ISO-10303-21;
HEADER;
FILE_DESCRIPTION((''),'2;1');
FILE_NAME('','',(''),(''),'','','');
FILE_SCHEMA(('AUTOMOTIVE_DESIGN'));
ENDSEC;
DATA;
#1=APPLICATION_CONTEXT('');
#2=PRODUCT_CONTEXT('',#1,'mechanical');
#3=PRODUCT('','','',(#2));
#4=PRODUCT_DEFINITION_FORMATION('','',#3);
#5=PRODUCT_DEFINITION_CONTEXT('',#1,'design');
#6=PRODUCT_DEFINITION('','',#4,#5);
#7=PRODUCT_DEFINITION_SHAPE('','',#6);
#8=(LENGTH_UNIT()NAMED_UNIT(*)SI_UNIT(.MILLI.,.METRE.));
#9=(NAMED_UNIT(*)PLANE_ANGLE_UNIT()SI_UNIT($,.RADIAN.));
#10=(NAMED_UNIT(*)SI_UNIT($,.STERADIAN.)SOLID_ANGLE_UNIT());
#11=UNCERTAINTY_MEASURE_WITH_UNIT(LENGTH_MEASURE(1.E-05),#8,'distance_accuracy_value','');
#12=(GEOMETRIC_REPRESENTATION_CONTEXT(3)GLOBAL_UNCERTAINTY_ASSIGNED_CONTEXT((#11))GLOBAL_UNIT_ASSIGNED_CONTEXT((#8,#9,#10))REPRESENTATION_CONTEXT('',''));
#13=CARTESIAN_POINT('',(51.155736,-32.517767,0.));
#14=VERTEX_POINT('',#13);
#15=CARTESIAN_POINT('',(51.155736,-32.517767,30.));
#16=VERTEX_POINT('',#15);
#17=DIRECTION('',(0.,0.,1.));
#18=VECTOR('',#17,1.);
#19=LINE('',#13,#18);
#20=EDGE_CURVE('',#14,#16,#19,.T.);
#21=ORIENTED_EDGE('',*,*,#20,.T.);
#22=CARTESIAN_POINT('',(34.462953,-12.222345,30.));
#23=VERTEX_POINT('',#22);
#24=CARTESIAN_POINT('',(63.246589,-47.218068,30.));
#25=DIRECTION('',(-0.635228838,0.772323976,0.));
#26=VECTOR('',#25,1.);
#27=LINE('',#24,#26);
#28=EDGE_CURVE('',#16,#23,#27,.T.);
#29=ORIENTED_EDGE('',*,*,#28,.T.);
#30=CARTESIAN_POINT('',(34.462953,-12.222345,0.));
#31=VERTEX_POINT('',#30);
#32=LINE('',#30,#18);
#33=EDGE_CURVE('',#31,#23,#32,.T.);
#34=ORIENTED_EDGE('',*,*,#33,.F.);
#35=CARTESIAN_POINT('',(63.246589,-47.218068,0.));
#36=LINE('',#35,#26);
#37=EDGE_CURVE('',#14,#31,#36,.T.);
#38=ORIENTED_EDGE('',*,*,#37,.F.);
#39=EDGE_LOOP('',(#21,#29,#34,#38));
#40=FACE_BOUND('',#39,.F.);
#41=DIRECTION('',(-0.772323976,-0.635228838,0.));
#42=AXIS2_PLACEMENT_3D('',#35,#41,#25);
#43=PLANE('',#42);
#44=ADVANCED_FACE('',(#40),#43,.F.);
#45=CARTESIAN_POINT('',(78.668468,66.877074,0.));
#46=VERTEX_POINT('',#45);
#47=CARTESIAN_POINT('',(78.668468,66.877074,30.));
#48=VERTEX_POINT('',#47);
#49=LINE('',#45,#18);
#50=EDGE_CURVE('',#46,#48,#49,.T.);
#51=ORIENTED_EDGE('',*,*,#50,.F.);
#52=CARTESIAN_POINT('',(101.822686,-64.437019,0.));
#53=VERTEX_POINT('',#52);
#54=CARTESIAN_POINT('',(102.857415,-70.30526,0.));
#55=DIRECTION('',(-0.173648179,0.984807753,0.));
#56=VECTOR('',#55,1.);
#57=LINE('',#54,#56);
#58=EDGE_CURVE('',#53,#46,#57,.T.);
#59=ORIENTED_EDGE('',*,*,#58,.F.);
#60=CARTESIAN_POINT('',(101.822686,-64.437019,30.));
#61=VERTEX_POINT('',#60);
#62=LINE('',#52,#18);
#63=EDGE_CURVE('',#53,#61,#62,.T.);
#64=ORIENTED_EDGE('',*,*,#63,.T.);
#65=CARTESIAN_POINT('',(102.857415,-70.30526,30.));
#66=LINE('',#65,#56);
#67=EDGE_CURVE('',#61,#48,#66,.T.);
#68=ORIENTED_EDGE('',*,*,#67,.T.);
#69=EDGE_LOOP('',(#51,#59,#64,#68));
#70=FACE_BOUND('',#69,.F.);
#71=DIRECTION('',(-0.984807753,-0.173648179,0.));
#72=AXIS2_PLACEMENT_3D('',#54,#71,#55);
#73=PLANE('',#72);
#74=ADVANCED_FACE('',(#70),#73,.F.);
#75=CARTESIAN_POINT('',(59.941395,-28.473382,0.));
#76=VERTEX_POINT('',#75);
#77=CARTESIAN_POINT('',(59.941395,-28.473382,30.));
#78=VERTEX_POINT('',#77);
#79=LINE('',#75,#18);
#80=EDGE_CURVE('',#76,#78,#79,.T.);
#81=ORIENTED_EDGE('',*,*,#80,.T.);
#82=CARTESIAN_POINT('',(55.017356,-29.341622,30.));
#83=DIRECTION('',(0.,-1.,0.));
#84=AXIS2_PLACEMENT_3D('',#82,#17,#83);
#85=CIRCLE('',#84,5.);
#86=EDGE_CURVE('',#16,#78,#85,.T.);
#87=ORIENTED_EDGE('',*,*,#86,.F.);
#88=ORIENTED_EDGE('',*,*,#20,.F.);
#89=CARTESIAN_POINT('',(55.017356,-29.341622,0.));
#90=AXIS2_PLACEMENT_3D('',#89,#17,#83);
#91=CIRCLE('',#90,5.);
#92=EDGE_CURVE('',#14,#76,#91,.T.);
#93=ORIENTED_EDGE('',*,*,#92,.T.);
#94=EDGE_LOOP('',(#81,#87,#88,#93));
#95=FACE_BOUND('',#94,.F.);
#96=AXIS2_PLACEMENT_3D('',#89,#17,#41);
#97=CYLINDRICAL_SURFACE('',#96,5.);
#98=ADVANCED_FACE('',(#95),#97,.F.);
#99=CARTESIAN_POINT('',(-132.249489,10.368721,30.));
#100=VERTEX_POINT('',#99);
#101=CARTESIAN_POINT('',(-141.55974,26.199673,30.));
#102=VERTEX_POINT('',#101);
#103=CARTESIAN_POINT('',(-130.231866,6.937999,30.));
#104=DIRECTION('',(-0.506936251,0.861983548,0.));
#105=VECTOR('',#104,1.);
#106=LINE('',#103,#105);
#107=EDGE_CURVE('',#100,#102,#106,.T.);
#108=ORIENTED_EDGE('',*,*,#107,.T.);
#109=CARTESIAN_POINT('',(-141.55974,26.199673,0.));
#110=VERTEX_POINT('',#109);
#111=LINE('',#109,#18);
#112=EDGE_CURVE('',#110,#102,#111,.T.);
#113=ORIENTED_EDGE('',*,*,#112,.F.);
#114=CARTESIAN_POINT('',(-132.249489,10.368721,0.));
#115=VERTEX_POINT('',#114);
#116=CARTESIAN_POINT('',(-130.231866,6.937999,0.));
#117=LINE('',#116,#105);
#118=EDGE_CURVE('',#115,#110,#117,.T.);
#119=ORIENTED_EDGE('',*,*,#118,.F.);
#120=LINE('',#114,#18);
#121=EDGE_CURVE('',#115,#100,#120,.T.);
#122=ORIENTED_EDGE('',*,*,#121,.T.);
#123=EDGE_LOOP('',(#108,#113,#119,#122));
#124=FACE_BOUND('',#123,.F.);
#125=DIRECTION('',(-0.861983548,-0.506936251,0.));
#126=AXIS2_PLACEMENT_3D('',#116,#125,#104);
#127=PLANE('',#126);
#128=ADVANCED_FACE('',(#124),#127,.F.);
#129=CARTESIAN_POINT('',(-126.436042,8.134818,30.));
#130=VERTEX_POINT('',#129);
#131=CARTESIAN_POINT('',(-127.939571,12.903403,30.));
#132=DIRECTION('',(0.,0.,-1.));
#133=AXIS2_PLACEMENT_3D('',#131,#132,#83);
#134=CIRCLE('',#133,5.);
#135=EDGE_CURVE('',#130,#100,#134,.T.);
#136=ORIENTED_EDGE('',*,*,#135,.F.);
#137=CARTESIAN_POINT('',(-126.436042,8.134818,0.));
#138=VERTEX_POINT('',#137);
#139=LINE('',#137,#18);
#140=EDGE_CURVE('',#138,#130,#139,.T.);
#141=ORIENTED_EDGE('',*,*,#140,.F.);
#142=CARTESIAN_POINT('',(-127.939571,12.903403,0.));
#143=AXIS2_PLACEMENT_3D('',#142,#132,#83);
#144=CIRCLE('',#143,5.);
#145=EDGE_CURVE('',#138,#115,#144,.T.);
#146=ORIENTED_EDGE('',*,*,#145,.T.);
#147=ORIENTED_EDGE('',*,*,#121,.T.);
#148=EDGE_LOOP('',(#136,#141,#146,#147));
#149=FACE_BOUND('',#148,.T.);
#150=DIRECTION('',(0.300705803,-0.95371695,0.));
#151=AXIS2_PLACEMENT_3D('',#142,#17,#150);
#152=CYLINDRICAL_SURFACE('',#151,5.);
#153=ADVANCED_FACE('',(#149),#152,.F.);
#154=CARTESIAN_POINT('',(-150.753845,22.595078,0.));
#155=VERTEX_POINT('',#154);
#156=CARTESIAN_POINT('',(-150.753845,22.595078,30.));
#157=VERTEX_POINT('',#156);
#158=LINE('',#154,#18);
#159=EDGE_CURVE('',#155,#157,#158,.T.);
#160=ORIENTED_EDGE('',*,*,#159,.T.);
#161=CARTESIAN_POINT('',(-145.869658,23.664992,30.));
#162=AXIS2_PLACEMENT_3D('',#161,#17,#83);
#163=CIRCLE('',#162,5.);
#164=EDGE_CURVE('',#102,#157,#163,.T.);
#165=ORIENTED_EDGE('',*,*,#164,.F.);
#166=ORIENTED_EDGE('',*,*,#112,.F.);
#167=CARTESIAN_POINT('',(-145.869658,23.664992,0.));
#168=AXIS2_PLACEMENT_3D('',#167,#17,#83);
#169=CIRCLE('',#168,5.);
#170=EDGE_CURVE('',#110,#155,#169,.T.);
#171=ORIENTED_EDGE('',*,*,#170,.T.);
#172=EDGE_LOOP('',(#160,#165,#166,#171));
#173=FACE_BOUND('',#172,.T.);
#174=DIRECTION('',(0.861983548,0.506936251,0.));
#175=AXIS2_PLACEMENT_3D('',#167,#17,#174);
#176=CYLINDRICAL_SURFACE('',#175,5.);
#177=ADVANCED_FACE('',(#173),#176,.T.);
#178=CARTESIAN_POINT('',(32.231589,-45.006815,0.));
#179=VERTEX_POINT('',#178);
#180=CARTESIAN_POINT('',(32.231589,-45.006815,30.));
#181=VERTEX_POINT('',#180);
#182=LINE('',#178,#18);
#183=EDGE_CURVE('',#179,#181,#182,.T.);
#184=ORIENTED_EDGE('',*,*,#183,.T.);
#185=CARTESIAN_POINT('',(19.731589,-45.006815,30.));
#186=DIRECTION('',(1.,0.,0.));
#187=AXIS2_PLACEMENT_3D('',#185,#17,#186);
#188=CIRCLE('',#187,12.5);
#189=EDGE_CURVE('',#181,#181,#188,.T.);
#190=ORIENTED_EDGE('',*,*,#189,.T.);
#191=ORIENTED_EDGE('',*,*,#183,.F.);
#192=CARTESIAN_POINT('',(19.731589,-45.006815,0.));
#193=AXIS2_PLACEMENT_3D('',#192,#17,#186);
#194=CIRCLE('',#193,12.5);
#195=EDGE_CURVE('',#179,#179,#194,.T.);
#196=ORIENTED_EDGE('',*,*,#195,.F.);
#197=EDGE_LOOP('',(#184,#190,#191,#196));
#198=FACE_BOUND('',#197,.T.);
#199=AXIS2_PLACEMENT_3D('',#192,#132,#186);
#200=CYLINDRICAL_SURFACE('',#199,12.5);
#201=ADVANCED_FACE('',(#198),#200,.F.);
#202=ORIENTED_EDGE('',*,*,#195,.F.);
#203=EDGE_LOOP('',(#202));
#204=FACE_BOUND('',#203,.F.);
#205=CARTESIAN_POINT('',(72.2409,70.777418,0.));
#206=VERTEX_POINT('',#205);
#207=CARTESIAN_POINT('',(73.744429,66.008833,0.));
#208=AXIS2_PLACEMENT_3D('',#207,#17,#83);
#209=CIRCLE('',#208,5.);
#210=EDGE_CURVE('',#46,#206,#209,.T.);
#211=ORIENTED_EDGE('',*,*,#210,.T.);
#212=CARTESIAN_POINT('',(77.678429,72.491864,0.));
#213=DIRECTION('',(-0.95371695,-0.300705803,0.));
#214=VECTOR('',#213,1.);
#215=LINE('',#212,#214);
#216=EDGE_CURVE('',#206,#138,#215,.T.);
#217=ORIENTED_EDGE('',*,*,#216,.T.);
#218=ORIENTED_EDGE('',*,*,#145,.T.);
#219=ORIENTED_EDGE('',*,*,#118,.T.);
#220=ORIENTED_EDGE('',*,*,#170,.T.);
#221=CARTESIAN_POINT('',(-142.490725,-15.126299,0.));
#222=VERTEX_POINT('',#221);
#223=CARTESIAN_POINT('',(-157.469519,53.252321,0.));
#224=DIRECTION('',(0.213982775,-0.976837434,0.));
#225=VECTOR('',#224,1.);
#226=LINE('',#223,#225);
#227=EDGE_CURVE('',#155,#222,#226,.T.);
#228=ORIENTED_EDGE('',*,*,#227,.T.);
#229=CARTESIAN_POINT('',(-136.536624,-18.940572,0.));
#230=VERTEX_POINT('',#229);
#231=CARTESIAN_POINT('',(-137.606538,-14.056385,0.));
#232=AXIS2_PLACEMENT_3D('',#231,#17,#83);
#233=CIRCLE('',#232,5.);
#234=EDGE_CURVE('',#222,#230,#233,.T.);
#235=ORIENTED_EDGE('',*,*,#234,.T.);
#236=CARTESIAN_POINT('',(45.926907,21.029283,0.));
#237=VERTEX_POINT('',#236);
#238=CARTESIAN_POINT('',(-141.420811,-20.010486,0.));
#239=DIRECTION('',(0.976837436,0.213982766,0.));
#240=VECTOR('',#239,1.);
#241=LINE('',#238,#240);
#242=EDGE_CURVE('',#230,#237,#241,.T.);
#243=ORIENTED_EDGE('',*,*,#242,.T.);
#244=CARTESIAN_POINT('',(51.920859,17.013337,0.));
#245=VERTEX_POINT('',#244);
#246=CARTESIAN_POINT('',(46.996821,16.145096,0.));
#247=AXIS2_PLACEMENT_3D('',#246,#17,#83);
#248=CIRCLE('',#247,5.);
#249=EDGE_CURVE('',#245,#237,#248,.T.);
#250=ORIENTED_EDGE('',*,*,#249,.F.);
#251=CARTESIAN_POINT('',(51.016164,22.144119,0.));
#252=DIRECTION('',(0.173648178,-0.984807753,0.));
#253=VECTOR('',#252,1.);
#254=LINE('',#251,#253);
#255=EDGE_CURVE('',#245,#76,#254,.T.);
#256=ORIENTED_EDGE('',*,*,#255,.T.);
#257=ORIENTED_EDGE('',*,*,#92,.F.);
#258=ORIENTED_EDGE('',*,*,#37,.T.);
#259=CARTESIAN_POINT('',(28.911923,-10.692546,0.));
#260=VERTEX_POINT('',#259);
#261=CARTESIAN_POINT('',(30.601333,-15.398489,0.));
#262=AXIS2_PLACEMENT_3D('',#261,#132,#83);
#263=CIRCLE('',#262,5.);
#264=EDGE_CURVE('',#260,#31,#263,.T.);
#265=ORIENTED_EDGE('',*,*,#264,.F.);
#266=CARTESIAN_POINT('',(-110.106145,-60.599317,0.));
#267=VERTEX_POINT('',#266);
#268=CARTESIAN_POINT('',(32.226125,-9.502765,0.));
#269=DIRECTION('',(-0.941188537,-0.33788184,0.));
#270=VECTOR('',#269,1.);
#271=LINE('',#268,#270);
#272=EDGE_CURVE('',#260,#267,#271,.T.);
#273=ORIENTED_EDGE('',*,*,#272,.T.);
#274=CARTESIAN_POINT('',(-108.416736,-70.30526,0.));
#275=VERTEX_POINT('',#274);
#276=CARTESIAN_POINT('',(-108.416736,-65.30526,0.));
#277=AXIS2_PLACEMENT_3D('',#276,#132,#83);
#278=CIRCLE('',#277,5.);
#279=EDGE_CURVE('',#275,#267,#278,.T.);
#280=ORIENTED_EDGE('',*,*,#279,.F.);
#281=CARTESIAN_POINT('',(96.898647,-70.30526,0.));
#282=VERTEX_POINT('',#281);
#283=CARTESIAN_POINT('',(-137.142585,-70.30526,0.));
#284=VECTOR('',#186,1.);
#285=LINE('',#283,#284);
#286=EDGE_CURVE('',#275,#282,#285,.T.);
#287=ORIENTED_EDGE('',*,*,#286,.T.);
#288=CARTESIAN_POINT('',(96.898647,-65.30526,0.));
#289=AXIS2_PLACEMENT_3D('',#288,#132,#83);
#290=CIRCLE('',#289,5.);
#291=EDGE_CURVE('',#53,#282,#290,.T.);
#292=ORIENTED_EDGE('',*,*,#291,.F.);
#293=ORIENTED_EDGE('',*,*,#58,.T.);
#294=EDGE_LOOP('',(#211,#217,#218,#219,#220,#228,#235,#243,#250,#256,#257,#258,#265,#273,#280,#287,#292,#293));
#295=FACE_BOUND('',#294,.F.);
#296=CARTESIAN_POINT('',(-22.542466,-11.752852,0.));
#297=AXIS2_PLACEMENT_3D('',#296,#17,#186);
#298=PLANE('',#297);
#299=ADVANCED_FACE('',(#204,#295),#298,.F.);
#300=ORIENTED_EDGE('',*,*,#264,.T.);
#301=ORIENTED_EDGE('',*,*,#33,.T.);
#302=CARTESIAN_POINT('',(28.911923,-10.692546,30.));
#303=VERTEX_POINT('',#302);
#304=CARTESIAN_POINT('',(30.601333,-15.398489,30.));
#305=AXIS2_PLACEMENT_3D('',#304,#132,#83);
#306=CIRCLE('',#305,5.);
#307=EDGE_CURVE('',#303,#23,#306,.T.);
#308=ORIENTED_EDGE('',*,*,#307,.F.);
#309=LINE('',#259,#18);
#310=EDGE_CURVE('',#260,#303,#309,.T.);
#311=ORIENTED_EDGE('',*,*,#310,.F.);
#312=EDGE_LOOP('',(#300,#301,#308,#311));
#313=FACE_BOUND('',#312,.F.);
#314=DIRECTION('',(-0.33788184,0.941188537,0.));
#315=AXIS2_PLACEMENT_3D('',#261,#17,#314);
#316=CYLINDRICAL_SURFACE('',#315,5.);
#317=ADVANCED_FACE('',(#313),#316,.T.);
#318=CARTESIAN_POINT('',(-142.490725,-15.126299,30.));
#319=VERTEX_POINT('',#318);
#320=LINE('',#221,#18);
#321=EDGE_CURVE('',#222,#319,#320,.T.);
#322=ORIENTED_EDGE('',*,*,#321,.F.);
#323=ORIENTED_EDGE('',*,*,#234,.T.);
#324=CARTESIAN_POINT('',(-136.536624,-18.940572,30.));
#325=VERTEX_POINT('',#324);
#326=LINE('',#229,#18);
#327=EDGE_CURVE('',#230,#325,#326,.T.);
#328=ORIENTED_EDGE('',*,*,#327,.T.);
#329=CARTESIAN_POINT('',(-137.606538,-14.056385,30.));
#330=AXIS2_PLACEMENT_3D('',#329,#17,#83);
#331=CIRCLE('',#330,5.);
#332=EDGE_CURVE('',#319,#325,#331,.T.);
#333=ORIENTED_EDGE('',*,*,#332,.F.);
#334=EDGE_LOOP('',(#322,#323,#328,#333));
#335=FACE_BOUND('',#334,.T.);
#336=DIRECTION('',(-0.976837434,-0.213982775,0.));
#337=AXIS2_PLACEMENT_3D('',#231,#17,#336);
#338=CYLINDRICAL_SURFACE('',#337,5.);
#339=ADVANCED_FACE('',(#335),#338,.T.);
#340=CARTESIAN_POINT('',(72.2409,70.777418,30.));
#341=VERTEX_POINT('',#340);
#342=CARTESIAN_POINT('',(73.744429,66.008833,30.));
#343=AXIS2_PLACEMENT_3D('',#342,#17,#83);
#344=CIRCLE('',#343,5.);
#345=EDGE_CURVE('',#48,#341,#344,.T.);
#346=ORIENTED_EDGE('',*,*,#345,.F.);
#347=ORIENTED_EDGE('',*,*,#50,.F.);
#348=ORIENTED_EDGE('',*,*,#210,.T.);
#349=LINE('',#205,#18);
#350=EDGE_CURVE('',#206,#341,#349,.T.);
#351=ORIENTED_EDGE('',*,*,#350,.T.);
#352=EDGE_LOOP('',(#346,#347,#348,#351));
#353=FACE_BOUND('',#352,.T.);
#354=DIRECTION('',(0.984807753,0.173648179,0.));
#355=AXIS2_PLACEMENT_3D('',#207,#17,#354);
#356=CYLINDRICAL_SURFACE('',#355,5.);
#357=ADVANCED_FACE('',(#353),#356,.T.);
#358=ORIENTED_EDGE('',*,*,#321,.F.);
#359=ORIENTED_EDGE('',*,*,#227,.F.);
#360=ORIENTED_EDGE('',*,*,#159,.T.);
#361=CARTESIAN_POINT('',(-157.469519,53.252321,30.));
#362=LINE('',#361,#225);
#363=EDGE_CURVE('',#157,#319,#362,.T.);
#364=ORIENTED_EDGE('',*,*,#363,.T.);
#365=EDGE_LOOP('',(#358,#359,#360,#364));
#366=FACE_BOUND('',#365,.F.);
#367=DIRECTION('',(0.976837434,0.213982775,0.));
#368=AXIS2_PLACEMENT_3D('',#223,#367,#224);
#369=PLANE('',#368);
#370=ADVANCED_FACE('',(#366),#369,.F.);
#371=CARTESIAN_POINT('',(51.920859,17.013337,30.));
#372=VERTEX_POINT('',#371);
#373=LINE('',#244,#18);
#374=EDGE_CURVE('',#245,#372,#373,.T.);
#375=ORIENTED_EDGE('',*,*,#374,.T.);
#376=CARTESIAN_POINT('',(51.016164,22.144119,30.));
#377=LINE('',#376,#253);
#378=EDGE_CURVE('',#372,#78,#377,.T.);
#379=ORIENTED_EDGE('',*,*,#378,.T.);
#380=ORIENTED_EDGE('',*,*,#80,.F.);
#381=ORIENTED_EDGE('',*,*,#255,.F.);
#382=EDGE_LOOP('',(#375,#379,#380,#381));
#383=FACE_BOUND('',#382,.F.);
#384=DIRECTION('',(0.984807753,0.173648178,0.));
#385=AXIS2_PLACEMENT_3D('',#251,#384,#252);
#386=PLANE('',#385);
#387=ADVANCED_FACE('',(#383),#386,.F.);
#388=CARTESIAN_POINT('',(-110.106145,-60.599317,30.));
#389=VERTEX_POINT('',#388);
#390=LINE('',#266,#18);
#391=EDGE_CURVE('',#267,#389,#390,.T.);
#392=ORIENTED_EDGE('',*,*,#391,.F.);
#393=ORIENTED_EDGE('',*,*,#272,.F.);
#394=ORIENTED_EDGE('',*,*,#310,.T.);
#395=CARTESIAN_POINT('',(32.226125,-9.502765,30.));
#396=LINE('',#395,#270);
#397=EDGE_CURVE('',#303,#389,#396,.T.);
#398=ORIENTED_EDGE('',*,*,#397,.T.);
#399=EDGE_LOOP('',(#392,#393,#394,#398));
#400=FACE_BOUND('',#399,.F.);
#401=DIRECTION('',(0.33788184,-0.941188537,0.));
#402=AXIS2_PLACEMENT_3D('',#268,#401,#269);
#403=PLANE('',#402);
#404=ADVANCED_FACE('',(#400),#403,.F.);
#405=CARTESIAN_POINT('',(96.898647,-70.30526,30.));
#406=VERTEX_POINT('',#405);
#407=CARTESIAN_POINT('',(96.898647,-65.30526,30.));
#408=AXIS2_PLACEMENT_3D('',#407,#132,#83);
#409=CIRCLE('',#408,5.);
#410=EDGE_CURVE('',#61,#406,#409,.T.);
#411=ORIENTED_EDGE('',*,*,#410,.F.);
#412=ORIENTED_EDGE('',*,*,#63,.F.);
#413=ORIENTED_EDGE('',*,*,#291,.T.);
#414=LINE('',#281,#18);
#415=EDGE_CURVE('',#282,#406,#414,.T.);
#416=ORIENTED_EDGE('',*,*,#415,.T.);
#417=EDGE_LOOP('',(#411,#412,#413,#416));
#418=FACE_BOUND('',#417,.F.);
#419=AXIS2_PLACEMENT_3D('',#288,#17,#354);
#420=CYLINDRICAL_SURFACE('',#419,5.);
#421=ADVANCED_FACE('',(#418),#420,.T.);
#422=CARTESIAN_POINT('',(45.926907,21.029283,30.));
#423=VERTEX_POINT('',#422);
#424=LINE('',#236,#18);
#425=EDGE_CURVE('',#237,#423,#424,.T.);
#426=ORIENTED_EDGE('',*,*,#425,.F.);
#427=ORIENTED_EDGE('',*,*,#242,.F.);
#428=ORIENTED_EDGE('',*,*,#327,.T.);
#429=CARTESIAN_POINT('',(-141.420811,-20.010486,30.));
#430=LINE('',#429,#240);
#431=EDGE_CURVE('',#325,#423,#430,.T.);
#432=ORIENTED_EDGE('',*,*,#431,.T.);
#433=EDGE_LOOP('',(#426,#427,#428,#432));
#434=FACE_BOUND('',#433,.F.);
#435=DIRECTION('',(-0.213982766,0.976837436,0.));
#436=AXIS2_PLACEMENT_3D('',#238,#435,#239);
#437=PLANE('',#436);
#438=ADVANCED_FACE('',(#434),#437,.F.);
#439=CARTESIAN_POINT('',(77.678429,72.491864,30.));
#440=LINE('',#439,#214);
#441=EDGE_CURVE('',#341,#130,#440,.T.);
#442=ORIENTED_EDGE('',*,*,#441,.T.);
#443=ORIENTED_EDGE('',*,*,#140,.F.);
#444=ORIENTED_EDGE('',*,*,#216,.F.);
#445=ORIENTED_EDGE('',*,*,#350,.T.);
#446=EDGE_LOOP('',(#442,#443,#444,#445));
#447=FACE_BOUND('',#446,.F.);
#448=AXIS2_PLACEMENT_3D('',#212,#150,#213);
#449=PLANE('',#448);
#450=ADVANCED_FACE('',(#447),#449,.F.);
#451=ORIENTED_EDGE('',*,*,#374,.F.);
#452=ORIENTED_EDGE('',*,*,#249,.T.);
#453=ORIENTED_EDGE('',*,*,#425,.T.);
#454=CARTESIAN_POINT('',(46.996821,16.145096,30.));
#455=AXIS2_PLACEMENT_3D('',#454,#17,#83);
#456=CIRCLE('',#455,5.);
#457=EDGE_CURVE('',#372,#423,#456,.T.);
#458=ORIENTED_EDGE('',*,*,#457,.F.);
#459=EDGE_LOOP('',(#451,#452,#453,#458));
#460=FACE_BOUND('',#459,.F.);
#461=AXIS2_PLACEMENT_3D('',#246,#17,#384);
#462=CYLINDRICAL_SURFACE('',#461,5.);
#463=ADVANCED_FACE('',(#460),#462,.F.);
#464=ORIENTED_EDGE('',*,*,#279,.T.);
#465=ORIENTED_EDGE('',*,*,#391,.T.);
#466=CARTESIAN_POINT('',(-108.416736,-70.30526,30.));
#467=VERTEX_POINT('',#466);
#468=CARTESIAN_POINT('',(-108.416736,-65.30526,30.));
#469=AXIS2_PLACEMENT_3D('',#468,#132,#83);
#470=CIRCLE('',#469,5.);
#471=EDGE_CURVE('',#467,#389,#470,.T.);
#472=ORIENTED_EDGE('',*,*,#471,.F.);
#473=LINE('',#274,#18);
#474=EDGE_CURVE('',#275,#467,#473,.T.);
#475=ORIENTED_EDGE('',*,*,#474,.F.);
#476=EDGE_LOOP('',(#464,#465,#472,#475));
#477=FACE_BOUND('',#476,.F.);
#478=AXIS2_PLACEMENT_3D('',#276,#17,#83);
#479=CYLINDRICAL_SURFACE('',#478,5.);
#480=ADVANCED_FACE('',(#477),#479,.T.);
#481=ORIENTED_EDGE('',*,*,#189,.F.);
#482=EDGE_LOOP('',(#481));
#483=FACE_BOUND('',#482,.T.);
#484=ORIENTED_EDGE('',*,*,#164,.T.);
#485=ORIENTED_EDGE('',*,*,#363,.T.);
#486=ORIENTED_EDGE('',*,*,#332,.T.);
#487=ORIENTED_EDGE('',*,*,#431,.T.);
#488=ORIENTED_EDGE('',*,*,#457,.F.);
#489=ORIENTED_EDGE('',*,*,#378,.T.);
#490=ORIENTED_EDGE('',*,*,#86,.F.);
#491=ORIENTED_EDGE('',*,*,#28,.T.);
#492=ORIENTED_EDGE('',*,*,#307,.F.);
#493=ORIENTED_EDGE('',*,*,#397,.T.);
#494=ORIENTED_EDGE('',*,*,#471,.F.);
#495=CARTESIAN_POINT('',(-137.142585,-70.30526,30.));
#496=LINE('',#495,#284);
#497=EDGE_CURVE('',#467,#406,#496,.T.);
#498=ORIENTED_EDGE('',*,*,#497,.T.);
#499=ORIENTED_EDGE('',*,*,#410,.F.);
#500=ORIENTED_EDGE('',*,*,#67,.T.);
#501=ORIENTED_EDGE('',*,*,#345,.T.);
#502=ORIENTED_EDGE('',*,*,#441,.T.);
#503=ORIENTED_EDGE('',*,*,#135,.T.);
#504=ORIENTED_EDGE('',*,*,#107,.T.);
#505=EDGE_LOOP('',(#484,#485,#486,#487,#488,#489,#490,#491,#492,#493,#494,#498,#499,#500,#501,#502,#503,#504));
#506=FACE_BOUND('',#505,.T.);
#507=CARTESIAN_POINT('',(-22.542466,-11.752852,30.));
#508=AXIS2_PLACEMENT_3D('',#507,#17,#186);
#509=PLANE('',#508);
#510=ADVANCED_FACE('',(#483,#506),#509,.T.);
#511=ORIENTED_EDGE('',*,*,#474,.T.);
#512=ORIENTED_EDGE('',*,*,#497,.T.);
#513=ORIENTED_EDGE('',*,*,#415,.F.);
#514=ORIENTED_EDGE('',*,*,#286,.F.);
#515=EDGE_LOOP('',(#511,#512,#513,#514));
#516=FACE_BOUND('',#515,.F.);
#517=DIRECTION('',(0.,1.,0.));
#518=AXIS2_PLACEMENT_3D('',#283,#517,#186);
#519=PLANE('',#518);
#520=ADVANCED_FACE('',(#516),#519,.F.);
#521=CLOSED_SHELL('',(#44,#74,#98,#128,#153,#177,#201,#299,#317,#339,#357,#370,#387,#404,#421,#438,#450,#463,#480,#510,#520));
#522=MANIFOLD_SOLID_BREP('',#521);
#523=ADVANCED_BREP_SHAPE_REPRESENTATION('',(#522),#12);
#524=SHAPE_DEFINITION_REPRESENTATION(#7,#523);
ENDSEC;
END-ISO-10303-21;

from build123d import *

# Parameters (mm, degrees)
F0_R     = 12.5
F1_DEPTH = 30
F2_R     = 5


with BuildPart() as f1:
    # F0 (on Top) → F1 (new body)
    with BuildSketch(Plane.XY):
        Polygon((102.857415, -70.30526), (77.678429, 72.491864), (-130.231866, 6.937999), (-157.469519, 53.252321), (-141.420811, -20.010486), (51.016164, 22.144119), (63.246589, -47.218068), (32.226125, -9.502765), (-137.142585, -70.30526), align=None)
        with Locations((19.731589, -45.006815)):
            Circle(F0_R, mode=Mode.SUBTRACT)
    extrude(amount=F1_DEPTH)

    # F2
    f2_edges = [f1.edges().sort_by_distance(p)[0] for p in [
        (-130.231866, 6.937999, 15),
        (-157.469519, 53.252321, 15),
        (-141.420811, -20.010486, 15),
        (32.226125, -9.502765, 15),
        (63.246589, -47.218068, 15),
        (51.016164, 22.144119, 15),
        (-137.142585, -70.30526, 15),
        (77.678429, 72.491864, 15),
        (102.857415, -70.30526, 15),
    ]]
    fillet(f2_edges, radius=F2_R)


solid = f1.part
